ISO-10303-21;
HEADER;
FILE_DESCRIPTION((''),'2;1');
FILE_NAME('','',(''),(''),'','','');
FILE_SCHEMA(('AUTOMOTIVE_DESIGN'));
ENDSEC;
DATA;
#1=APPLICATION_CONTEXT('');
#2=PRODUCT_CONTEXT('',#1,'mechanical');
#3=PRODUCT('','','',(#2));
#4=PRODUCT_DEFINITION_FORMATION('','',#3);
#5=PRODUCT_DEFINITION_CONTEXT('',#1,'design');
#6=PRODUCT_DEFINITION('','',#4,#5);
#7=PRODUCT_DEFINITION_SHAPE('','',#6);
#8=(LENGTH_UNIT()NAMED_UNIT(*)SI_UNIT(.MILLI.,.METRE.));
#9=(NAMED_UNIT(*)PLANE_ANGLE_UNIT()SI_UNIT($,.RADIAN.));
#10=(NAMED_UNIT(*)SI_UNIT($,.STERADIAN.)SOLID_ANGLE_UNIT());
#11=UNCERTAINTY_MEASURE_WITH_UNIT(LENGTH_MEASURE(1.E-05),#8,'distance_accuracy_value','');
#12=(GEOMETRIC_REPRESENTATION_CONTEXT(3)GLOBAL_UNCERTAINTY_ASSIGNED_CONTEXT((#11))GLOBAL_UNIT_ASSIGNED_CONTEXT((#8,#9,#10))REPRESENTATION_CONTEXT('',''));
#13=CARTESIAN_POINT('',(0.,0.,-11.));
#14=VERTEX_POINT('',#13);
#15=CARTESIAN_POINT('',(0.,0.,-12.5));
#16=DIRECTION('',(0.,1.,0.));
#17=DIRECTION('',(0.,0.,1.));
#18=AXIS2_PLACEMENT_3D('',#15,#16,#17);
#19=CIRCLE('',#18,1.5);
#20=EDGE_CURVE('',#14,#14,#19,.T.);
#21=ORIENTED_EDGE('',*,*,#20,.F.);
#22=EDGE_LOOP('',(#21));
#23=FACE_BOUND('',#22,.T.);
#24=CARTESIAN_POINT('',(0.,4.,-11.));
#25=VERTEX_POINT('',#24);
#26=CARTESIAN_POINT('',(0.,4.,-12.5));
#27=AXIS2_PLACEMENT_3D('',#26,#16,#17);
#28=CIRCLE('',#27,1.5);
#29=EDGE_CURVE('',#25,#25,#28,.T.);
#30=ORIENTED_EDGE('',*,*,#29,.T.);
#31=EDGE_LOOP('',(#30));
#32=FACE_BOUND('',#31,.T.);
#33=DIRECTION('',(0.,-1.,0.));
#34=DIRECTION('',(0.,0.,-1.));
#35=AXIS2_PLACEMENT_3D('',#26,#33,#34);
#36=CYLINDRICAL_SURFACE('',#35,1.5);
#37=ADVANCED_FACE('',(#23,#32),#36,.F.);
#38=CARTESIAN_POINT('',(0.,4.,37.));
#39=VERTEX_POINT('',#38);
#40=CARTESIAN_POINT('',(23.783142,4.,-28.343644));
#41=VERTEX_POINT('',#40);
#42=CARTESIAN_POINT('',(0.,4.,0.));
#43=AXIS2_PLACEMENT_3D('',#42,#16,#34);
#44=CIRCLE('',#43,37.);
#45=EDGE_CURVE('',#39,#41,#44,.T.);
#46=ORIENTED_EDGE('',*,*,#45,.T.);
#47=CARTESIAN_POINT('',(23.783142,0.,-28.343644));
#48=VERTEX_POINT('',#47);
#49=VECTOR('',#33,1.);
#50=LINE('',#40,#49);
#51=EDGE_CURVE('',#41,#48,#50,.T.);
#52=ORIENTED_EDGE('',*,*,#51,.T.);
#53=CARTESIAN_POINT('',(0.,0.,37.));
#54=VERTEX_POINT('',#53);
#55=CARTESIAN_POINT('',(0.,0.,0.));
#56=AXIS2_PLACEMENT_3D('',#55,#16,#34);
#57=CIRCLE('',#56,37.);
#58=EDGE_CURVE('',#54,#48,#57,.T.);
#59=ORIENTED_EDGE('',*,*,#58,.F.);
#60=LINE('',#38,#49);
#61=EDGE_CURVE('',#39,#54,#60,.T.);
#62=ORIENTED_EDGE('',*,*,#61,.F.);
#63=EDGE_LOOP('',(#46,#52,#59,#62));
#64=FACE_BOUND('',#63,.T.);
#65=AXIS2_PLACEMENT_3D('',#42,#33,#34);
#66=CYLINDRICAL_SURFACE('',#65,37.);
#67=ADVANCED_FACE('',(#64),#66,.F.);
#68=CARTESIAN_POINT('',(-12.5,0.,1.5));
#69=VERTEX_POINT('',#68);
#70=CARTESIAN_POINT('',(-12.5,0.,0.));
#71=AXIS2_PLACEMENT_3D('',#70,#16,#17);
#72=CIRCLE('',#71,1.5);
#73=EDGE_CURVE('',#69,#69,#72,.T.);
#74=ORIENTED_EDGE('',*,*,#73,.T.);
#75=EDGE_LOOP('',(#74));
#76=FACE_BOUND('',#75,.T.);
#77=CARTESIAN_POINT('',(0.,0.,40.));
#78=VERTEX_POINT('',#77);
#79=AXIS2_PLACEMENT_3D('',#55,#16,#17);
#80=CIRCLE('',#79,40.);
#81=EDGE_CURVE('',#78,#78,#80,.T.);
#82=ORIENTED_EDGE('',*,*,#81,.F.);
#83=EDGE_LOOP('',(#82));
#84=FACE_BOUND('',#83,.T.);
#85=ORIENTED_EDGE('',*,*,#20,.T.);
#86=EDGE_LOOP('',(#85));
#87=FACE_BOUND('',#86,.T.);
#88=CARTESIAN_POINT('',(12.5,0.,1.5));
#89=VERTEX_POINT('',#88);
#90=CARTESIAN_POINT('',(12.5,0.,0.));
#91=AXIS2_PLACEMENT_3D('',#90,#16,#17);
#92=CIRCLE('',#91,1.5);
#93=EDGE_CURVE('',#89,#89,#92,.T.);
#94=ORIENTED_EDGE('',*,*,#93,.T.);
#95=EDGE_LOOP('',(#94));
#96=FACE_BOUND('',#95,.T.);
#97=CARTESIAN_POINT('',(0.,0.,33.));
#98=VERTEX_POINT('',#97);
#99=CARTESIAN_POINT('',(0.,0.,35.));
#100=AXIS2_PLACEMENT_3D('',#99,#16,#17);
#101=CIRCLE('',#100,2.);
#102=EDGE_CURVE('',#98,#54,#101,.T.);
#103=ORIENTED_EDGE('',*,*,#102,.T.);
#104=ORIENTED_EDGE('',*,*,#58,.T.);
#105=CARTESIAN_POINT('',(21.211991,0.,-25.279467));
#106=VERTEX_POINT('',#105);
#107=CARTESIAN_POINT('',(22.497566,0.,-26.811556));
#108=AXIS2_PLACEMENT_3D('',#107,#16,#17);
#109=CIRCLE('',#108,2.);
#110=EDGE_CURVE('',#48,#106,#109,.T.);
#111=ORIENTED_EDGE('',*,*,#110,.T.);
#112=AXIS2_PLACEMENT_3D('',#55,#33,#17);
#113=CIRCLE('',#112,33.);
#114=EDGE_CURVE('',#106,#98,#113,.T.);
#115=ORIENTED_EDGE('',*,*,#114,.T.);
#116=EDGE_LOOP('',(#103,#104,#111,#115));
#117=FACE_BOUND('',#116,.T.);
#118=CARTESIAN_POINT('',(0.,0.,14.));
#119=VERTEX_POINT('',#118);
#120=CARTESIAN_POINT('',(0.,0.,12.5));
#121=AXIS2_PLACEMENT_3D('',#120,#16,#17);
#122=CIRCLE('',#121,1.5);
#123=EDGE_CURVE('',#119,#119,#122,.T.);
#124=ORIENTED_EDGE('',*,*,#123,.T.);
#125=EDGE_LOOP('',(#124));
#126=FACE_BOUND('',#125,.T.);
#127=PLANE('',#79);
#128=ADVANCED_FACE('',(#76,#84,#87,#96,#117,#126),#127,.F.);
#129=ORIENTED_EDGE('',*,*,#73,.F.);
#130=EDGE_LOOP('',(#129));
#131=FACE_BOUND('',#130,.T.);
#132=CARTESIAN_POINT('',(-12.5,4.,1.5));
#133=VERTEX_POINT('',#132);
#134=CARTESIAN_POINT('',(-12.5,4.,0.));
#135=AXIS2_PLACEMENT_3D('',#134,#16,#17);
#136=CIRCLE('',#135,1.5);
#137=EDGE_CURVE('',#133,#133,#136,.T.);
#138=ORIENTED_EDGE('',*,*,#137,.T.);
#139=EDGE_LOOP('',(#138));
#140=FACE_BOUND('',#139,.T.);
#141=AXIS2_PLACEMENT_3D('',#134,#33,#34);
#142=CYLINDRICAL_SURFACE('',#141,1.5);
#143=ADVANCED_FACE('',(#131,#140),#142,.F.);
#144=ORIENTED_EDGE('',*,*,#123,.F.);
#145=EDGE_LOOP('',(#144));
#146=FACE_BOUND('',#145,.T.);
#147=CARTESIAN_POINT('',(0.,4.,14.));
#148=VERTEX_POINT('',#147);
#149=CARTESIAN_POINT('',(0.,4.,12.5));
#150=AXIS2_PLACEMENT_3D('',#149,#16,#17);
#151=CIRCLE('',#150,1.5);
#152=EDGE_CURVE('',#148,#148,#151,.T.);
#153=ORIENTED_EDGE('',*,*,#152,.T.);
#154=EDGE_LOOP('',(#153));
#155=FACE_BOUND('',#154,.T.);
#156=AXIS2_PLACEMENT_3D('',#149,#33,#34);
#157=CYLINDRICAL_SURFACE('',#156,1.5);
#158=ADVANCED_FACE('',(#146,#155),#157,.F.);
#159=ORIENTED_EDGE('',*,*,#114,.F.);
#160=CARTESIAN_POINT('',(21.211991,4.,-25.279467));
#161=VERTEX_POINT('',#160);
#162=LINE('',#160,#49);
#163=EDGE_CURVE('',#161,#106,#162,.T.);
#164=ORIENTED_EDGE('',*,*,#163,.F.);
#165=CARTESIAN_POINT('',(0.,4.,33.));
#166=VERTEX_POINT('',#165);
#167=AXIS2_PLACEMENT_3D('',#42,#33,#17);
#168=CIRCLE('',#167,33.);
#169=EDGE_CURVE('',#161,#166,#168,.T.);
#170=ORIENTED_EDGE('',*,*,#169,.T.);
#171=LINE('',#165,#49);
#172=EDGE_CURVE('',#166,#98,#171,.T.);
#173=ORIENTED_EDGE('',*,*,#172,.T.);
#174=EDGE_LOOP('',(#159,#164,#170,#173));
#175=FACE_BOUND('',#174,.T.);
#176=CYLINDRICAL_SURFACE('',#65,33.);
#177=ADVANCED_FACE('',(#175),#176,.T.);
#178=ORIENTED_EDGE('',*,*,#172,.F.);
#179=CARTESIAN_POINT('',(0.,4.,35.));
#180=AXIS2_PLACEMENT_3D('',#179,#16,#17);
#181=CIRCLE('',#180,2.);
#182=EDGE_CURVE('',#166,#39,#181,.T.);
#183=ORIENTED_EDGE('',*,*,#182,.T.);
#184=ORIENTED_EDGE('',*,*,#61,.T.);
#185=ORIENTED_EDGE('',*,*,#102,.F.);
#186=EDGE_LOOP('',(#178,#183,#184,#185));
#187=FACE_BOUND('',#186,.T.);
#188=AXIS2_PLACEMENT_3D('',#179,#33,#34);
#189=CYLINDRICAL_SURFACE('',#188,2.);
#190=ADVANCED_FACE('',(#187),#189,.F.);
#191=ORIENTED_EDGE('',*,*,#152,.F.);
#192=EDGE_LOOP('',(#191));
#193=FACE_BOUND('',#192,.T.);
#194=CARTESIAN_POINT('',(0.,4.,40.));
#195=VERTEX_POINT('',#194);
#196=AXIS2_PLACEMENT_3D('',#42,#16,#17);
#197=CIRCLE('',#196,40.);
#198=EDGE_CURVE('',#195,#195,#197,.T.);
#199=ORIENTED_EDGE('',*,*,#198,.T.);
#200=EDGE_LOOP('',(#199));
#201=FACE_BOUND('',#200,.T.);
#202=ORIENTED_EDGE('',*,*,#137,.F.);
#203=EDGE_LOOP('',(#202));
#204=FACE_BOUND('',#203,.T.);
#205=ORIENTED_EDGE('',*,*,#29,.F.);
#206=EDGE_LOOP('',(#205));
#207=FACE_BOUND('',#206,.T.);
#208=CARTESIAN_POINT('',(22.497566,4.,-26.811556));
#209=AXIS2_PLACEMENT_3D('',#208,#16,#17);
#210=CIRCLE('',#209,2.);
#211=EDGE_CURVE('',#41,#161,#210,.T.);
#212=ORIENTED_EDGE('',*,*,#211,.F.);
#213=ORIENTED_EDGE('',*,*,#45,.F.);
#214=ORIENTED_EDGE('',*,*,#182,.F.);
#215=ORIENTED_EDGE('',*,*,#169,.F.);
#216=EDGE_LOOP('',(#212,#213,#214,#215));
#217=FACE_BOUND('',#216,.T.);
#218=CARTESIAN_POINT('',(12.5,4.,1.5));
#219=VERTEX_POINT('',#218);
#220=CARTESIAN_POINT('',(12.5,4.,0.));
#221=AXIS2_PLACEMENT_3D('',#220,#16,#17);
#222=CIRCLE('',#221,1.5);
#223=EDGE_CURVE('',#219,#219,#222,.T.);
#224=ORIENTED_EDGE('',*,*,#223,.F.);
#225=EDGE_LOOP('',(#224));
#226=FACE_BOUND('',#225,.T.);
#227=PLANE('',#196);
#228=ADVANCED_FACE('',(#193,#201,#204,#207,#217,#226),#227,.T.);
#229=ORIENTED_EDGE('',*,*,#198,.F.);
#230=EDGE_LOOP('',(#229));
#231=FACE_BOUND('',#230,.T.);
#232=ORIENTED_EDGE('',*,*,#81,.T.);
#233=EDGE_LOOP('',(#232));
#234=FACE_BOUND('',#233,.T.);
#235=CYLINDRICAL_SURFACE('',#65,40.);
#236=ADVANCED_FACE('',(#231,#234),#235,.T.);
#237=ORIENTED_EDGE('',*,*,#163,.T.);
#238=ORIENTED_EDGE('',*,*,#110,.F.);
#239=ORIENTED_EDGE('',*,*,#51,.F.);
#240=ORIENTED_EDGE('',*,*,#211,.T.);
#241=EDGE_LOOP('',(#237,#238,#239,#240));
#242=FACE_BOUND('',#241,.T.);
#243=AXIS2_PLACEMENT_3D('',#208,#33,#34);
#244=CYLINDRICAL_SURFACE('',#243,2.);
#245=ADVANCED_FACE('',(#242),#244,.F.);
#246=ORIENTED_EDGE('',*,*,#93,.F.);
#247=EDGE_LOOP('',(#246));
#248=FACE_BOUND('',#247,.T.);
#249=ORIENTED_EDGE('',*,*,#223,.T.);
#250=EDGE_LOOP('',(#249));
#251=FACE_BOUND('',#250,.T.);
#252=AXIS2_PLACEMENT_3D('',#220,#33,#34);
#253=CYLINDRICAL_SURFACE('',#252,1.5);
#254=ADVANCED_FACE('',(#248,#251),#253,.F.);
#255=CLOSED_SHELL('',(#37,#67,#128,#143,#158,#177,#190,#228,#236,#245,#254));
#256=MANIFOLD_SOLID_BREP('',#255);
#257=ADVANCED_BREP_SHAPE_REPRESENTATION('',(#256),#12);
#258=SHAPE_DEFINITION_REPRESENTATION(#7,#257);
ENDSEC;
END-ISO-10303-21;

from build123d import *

# Parameters (mm, degrees)
SKETCH1_R           = 40
SKETCH1_R_2         = 1.5
BOSS_EXTRUDE1_DEPTH = 4


with BuildPart() as part:
    # Sketch1 → Boss-Extrude1 (new body)
    with BuildSketch(Plane(origin=(0, 0, 0), x_dir=(1, 0, 0), z_dir=(0, 1, 0))):
        with Locations(Location((0, 0, 0), (0, 0, 270))):
            Circle(SKETCH1_R)
        with Locations(Location((0, -12.5, 0), (0, 0, 270))):
            Circle(SKETCH1_R_2, mode=Mode.SUBTRACT)
        with Locations(Location((-12.5, 0, 0), (0, 0, 270))):
            Circle(SKETCH1_R_2, mode=Mode.SUBTRACT)
        with Locations(Location((0, 12.5, 0), (0, 0, 270))):
            Circle(SKETCH1_R_2, mode=Mode.SUBTRACT)
        with Locations(Location((12.5, 0, 0), (0, 0, 270))):
            Circle(SKETCH1_R_2, mode=Mode.SUBTRACT)
        with BuildLine():
            ThreePointArc((23.783141558, 28.343644395), (20.965477453, 28.097130729), (21.21199112, 25.279466623))
            ThreePointArc((21.21199112, 25.279466623), (31.009856486, -11.28666473), (0, -33))
            ThreePointArc((0, -33), (-2, -35), (0, -37))
            ThreePointArc((0, -37), (34.768626969, -12.654745303), (23.783141558, 28.343644395))
        make_face(mode=Mode.SUBTRACT)
    extrude(amount=BOSS_EXTRUDE1_DEPTH)


solid = part.part
